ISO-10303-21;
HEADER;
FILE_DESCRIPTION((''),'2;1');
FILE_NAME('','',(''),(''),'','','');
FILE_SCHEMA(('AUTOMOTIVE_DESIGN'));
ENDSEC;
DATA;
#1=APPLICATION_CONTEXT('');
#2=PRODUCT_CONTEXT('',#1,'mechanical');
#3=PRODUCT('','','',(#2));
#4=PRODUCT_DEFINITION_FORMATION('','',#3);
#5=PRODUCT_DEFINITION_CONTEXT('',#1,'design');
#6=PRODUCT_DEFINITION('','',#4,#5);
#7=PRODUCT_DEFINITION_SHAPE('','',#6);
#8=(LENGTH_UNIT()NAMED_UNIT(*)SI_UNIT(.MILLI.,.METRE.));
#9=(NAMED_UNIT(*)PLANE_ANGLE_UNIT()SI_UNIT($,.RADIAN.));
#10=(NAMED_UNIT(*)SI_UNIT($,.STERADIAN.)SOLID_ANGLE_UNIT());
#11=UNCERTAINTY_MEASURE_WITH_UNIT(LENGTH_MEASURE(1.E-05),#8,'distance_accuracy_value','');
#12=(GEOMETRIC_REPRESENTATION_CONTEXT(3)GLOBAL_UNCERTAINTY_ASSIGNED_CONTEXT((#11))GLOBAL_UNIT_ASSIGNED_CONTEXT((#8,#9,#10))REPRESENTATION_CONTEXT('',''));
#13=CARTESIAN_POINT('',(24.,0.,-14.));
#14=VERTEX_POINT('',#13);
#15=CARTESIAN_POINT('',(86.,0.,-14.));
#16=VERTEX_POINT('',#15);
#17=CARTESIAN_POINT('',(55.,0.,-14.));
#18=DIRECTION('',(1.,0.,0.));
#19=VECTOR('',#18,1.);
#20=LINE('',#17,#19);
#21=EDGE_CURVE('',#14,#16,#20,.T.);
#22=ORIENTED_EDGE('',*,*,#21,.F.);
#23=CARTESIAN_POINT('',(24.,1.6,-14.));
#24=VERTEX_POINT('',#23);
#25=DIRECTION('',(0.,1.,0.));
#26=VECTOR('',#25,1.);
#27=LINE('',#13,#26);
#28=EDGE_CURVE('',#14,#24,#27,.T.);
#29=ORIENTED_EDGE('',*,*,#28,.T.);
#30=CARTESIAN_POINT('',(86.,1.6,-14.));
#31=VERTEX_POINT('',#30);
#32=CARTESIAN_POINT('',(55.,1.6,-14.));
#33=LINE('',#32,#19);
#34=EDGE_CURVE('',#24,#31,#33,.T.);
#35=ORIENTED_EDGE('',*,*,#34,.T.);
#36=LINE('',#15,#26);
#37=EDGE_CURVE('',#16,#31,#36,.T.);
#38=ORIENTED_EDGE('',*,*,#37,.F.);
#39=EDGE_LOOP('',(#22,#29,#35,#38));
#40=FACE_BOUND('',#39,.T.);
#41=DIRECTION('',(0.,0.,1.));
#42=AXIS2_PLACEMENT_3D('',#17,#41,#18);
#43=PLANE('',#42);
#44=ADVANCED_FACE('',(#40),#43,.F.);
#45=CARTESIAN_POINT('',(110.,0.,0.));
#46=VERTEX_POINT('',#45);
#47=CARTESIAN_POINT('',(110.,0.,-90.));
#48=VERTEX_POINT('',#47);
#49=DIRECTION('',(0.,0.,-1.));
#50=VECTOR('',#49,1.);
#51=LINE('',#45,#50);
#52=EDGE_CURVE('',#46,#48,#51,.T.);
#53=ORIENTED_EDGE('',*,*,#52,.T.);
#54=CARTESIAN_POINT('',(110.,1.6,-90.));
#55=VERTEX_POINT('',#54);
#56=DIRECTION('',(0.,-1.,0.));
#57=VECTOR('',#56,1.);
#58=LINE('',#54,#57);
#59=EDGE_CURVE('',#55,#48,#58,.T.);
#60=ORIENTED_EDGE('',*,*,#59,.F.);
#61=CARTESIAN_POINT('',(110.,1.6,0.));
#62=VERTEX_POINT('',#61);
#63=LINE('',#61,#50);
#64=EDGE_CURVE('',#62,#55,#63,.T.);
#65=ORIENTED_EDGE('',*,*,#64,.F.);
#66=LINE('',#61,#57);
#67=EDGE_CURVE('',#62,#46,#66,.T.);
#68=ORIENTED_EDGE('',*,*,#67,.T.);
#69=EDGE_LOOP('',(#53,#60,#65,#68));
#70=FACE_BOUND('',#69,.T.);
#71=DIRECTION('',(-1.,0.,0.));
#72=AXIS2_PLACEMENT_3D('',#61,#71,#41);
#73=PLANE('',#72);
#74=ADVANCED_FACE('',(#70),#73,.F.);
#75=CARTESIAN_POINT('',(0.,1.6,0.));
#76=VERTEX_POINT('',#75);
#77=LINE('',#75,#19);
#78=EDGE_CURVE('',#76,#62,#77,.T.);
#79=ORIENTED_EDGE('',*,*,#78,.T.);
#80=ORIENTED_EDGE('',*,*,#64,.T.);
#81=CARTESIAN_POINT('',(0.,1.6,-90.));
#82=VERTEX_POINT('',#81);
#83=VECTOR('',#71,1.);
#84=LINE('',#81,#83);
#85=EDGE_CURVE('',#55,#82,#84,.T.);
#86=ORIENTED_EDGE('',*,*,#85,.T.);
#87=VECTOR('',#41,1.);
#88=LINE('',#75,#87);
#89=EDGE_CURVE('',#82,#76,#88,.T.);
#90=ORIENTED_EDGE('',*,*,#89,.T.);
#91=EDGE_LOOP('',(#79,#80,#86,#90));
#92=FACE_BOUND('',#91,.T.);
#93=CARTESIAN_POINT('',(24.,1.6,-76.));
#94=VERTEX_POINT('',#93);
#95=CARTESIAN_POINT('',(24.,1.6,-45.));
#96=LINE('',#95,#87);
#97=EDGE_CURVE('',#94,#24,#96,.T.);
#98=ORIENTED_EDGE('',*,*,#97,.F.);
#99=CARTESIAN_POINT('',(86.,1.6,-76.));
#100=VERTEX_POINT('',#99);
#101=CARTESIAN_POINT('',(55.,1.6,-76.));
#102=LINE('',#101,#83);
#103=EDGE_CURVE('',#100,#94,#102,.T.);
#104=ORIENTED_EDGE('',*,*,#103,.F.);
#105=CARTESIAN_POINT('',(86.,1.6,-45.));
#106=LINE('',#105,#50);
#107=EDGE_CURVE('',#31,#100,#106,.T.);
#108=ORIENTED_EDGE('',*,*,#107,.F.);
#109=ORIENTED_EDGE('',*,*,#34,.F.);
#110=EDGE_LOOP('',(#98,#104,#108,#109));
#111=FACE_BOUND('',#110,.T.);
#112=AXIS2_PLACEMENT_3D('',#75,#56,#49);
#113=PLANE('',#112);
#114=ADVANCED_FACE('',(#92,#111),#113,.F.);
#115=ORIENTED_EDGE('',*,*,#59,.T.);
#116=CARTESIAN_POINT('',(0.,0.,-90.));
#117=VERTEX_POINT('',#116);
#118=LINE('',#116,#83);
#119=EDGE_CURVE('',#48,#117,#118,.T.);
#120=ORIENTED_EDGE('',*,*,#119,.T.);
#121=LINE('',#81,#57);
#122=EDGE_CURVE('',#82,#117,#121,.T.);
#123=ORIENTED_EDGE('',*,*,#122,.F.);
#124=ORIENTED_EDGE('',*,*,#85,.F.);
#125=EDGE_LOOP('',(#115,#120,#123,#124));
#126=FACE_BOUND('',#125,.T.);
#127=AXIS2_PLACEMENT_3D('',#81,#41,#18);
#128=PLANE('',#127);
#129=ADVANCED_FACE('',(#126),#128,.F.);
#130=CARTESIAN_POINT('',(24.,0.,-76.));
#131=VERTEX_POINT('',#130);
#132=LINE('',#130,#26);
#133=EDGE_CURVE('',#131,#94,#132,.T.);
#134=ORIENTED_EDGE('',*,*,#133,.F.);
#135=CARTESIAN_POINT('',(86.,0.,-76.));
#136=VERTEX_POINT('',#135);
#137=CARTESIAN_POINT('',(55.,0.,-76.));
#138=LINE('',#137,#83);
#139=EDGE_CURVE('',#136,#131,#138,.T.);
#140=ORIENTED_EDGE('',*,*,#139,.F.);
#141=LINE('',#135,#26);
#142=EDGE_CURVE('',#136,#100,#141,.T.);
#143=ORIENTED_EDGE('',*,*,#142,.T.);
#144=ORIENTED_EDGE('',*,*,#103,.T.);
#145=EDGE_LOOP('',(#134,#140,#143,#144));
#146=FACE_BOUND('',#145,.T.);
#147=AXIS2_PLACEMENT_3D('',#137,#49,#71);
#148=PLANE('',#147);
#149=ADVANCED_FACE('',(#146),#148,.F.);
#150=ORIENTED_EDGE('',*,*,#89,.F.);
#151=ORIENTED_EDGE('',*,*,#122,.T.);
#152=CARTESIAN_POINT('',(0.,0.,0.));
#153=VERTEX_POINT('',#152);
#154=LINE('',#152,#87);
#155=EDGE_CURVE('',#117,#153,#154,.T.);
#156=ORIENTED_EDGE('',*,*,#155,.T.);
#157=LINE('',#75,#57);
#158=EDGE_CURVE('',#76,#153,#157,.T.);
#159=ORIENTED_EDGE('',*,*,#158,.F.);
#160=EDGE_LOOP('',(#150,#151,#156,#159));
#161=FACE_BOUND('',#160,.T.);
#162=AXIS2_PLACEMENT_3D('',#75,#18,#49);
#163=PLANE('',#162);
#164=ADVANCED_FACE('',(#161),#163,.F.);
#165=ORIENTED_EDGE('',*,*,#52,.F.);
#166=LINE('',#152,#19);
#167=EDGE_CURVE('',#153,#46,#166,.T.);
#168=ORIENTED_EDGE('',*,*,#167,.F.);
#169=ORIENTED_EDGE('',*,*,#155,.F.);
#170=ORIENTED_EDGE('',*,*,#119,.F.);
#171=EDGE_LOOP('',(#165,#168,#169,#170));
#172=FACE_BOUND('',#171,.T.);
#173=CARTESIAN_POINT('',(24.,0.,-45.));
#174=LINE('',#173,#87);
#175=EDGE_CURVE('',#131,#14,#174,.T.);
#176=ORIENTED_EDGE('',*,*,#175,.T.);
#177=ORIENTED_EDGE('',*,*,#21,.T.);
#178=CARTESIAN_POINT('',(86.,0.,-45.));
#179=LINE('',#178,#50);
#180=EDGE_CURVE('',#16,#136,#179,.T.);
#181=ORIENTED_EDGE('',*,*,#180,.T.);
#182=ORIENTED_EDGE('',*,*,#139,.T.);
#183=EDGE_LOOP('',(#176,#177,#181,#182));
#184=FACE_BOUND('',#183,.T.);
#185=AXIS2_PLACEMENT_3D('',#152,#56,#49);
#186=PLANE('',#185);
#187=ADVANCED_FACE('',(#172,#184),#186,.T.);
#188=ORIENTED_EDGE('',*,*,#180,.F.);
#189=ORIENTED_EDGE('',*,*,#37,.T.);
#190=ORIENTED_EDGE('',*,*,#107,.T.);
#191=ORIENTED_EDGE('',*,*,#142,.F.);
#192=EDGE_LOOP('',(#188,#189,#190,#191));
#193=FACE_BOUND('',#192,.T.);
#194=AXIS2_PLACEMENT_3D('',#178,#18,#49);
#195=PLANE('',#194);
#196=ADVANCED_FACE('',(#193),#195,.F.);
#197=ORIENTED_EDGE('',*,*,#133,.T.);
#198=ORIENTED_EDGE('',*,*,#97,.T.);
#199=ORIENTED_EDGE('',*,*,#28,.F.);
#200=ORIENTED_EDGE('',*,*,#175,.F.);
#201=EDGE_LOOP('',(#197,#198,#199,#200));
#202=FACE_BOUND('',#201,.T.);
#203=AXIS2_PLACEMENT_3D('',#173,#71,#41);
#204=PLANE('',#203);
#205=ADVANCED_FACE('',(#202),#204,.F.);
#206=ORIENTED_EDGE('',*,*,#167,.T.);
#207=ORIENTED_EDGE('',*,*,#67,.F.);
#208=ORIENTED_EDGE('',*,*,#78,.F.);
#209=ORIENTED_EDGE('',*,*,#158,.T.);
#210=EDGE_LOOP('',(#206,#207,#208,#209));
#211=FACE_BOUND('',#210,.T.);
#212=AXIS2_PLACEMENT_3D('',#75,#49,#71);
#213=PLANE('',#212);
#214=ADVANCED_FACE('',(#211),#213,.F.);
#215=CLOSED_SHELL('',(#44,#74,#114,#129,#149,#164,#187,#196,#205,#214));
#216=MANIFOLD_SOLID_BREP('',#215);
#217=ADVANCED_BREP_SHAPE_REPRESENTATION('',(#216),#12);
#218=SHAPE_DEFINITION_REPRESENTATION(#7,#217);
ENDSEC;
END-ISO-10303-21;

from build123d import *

# Parameters (mm, degrees)
SKETCH1_W           = 110
SKETCH1_H           = 90
BOSS_EXTRUDE1_DEPTH = 1.6
CUT_EXTRUDE1_DEPTH  = 1.6


with BuildPart() as part:
    # Sketch1 → Boss-Extrude1 (new body)
    with BuildSketch(Plane(origin=(0, 0, 0), x_dir=(1, 0, 0), z_dir=(0, 1, 0))):
        with Locations((55, 45)):
            Rectangle(SKETCH1_W, SKETCH1_H)
    extrude(amount=BOSS_EXTRUDE1_DEPTH)

    # Sketch2 → Cut-Extrude1 (cut)
    with BuildSketch(Plane(origin=(0, 1.6, 0), x_dir=(1, 0, 0), z_dir=(0, 1, 0))):
        Polygon((55, 76), (86, 76), (86, 45), (86, 14), (55, 14), (24, 14), (24, 45), (24, 76), align=None)
    extrude(amount=-CUT_EXTRUDE1_DEPTH, mode=Mode.SUBTRACT)


solid = part.part
